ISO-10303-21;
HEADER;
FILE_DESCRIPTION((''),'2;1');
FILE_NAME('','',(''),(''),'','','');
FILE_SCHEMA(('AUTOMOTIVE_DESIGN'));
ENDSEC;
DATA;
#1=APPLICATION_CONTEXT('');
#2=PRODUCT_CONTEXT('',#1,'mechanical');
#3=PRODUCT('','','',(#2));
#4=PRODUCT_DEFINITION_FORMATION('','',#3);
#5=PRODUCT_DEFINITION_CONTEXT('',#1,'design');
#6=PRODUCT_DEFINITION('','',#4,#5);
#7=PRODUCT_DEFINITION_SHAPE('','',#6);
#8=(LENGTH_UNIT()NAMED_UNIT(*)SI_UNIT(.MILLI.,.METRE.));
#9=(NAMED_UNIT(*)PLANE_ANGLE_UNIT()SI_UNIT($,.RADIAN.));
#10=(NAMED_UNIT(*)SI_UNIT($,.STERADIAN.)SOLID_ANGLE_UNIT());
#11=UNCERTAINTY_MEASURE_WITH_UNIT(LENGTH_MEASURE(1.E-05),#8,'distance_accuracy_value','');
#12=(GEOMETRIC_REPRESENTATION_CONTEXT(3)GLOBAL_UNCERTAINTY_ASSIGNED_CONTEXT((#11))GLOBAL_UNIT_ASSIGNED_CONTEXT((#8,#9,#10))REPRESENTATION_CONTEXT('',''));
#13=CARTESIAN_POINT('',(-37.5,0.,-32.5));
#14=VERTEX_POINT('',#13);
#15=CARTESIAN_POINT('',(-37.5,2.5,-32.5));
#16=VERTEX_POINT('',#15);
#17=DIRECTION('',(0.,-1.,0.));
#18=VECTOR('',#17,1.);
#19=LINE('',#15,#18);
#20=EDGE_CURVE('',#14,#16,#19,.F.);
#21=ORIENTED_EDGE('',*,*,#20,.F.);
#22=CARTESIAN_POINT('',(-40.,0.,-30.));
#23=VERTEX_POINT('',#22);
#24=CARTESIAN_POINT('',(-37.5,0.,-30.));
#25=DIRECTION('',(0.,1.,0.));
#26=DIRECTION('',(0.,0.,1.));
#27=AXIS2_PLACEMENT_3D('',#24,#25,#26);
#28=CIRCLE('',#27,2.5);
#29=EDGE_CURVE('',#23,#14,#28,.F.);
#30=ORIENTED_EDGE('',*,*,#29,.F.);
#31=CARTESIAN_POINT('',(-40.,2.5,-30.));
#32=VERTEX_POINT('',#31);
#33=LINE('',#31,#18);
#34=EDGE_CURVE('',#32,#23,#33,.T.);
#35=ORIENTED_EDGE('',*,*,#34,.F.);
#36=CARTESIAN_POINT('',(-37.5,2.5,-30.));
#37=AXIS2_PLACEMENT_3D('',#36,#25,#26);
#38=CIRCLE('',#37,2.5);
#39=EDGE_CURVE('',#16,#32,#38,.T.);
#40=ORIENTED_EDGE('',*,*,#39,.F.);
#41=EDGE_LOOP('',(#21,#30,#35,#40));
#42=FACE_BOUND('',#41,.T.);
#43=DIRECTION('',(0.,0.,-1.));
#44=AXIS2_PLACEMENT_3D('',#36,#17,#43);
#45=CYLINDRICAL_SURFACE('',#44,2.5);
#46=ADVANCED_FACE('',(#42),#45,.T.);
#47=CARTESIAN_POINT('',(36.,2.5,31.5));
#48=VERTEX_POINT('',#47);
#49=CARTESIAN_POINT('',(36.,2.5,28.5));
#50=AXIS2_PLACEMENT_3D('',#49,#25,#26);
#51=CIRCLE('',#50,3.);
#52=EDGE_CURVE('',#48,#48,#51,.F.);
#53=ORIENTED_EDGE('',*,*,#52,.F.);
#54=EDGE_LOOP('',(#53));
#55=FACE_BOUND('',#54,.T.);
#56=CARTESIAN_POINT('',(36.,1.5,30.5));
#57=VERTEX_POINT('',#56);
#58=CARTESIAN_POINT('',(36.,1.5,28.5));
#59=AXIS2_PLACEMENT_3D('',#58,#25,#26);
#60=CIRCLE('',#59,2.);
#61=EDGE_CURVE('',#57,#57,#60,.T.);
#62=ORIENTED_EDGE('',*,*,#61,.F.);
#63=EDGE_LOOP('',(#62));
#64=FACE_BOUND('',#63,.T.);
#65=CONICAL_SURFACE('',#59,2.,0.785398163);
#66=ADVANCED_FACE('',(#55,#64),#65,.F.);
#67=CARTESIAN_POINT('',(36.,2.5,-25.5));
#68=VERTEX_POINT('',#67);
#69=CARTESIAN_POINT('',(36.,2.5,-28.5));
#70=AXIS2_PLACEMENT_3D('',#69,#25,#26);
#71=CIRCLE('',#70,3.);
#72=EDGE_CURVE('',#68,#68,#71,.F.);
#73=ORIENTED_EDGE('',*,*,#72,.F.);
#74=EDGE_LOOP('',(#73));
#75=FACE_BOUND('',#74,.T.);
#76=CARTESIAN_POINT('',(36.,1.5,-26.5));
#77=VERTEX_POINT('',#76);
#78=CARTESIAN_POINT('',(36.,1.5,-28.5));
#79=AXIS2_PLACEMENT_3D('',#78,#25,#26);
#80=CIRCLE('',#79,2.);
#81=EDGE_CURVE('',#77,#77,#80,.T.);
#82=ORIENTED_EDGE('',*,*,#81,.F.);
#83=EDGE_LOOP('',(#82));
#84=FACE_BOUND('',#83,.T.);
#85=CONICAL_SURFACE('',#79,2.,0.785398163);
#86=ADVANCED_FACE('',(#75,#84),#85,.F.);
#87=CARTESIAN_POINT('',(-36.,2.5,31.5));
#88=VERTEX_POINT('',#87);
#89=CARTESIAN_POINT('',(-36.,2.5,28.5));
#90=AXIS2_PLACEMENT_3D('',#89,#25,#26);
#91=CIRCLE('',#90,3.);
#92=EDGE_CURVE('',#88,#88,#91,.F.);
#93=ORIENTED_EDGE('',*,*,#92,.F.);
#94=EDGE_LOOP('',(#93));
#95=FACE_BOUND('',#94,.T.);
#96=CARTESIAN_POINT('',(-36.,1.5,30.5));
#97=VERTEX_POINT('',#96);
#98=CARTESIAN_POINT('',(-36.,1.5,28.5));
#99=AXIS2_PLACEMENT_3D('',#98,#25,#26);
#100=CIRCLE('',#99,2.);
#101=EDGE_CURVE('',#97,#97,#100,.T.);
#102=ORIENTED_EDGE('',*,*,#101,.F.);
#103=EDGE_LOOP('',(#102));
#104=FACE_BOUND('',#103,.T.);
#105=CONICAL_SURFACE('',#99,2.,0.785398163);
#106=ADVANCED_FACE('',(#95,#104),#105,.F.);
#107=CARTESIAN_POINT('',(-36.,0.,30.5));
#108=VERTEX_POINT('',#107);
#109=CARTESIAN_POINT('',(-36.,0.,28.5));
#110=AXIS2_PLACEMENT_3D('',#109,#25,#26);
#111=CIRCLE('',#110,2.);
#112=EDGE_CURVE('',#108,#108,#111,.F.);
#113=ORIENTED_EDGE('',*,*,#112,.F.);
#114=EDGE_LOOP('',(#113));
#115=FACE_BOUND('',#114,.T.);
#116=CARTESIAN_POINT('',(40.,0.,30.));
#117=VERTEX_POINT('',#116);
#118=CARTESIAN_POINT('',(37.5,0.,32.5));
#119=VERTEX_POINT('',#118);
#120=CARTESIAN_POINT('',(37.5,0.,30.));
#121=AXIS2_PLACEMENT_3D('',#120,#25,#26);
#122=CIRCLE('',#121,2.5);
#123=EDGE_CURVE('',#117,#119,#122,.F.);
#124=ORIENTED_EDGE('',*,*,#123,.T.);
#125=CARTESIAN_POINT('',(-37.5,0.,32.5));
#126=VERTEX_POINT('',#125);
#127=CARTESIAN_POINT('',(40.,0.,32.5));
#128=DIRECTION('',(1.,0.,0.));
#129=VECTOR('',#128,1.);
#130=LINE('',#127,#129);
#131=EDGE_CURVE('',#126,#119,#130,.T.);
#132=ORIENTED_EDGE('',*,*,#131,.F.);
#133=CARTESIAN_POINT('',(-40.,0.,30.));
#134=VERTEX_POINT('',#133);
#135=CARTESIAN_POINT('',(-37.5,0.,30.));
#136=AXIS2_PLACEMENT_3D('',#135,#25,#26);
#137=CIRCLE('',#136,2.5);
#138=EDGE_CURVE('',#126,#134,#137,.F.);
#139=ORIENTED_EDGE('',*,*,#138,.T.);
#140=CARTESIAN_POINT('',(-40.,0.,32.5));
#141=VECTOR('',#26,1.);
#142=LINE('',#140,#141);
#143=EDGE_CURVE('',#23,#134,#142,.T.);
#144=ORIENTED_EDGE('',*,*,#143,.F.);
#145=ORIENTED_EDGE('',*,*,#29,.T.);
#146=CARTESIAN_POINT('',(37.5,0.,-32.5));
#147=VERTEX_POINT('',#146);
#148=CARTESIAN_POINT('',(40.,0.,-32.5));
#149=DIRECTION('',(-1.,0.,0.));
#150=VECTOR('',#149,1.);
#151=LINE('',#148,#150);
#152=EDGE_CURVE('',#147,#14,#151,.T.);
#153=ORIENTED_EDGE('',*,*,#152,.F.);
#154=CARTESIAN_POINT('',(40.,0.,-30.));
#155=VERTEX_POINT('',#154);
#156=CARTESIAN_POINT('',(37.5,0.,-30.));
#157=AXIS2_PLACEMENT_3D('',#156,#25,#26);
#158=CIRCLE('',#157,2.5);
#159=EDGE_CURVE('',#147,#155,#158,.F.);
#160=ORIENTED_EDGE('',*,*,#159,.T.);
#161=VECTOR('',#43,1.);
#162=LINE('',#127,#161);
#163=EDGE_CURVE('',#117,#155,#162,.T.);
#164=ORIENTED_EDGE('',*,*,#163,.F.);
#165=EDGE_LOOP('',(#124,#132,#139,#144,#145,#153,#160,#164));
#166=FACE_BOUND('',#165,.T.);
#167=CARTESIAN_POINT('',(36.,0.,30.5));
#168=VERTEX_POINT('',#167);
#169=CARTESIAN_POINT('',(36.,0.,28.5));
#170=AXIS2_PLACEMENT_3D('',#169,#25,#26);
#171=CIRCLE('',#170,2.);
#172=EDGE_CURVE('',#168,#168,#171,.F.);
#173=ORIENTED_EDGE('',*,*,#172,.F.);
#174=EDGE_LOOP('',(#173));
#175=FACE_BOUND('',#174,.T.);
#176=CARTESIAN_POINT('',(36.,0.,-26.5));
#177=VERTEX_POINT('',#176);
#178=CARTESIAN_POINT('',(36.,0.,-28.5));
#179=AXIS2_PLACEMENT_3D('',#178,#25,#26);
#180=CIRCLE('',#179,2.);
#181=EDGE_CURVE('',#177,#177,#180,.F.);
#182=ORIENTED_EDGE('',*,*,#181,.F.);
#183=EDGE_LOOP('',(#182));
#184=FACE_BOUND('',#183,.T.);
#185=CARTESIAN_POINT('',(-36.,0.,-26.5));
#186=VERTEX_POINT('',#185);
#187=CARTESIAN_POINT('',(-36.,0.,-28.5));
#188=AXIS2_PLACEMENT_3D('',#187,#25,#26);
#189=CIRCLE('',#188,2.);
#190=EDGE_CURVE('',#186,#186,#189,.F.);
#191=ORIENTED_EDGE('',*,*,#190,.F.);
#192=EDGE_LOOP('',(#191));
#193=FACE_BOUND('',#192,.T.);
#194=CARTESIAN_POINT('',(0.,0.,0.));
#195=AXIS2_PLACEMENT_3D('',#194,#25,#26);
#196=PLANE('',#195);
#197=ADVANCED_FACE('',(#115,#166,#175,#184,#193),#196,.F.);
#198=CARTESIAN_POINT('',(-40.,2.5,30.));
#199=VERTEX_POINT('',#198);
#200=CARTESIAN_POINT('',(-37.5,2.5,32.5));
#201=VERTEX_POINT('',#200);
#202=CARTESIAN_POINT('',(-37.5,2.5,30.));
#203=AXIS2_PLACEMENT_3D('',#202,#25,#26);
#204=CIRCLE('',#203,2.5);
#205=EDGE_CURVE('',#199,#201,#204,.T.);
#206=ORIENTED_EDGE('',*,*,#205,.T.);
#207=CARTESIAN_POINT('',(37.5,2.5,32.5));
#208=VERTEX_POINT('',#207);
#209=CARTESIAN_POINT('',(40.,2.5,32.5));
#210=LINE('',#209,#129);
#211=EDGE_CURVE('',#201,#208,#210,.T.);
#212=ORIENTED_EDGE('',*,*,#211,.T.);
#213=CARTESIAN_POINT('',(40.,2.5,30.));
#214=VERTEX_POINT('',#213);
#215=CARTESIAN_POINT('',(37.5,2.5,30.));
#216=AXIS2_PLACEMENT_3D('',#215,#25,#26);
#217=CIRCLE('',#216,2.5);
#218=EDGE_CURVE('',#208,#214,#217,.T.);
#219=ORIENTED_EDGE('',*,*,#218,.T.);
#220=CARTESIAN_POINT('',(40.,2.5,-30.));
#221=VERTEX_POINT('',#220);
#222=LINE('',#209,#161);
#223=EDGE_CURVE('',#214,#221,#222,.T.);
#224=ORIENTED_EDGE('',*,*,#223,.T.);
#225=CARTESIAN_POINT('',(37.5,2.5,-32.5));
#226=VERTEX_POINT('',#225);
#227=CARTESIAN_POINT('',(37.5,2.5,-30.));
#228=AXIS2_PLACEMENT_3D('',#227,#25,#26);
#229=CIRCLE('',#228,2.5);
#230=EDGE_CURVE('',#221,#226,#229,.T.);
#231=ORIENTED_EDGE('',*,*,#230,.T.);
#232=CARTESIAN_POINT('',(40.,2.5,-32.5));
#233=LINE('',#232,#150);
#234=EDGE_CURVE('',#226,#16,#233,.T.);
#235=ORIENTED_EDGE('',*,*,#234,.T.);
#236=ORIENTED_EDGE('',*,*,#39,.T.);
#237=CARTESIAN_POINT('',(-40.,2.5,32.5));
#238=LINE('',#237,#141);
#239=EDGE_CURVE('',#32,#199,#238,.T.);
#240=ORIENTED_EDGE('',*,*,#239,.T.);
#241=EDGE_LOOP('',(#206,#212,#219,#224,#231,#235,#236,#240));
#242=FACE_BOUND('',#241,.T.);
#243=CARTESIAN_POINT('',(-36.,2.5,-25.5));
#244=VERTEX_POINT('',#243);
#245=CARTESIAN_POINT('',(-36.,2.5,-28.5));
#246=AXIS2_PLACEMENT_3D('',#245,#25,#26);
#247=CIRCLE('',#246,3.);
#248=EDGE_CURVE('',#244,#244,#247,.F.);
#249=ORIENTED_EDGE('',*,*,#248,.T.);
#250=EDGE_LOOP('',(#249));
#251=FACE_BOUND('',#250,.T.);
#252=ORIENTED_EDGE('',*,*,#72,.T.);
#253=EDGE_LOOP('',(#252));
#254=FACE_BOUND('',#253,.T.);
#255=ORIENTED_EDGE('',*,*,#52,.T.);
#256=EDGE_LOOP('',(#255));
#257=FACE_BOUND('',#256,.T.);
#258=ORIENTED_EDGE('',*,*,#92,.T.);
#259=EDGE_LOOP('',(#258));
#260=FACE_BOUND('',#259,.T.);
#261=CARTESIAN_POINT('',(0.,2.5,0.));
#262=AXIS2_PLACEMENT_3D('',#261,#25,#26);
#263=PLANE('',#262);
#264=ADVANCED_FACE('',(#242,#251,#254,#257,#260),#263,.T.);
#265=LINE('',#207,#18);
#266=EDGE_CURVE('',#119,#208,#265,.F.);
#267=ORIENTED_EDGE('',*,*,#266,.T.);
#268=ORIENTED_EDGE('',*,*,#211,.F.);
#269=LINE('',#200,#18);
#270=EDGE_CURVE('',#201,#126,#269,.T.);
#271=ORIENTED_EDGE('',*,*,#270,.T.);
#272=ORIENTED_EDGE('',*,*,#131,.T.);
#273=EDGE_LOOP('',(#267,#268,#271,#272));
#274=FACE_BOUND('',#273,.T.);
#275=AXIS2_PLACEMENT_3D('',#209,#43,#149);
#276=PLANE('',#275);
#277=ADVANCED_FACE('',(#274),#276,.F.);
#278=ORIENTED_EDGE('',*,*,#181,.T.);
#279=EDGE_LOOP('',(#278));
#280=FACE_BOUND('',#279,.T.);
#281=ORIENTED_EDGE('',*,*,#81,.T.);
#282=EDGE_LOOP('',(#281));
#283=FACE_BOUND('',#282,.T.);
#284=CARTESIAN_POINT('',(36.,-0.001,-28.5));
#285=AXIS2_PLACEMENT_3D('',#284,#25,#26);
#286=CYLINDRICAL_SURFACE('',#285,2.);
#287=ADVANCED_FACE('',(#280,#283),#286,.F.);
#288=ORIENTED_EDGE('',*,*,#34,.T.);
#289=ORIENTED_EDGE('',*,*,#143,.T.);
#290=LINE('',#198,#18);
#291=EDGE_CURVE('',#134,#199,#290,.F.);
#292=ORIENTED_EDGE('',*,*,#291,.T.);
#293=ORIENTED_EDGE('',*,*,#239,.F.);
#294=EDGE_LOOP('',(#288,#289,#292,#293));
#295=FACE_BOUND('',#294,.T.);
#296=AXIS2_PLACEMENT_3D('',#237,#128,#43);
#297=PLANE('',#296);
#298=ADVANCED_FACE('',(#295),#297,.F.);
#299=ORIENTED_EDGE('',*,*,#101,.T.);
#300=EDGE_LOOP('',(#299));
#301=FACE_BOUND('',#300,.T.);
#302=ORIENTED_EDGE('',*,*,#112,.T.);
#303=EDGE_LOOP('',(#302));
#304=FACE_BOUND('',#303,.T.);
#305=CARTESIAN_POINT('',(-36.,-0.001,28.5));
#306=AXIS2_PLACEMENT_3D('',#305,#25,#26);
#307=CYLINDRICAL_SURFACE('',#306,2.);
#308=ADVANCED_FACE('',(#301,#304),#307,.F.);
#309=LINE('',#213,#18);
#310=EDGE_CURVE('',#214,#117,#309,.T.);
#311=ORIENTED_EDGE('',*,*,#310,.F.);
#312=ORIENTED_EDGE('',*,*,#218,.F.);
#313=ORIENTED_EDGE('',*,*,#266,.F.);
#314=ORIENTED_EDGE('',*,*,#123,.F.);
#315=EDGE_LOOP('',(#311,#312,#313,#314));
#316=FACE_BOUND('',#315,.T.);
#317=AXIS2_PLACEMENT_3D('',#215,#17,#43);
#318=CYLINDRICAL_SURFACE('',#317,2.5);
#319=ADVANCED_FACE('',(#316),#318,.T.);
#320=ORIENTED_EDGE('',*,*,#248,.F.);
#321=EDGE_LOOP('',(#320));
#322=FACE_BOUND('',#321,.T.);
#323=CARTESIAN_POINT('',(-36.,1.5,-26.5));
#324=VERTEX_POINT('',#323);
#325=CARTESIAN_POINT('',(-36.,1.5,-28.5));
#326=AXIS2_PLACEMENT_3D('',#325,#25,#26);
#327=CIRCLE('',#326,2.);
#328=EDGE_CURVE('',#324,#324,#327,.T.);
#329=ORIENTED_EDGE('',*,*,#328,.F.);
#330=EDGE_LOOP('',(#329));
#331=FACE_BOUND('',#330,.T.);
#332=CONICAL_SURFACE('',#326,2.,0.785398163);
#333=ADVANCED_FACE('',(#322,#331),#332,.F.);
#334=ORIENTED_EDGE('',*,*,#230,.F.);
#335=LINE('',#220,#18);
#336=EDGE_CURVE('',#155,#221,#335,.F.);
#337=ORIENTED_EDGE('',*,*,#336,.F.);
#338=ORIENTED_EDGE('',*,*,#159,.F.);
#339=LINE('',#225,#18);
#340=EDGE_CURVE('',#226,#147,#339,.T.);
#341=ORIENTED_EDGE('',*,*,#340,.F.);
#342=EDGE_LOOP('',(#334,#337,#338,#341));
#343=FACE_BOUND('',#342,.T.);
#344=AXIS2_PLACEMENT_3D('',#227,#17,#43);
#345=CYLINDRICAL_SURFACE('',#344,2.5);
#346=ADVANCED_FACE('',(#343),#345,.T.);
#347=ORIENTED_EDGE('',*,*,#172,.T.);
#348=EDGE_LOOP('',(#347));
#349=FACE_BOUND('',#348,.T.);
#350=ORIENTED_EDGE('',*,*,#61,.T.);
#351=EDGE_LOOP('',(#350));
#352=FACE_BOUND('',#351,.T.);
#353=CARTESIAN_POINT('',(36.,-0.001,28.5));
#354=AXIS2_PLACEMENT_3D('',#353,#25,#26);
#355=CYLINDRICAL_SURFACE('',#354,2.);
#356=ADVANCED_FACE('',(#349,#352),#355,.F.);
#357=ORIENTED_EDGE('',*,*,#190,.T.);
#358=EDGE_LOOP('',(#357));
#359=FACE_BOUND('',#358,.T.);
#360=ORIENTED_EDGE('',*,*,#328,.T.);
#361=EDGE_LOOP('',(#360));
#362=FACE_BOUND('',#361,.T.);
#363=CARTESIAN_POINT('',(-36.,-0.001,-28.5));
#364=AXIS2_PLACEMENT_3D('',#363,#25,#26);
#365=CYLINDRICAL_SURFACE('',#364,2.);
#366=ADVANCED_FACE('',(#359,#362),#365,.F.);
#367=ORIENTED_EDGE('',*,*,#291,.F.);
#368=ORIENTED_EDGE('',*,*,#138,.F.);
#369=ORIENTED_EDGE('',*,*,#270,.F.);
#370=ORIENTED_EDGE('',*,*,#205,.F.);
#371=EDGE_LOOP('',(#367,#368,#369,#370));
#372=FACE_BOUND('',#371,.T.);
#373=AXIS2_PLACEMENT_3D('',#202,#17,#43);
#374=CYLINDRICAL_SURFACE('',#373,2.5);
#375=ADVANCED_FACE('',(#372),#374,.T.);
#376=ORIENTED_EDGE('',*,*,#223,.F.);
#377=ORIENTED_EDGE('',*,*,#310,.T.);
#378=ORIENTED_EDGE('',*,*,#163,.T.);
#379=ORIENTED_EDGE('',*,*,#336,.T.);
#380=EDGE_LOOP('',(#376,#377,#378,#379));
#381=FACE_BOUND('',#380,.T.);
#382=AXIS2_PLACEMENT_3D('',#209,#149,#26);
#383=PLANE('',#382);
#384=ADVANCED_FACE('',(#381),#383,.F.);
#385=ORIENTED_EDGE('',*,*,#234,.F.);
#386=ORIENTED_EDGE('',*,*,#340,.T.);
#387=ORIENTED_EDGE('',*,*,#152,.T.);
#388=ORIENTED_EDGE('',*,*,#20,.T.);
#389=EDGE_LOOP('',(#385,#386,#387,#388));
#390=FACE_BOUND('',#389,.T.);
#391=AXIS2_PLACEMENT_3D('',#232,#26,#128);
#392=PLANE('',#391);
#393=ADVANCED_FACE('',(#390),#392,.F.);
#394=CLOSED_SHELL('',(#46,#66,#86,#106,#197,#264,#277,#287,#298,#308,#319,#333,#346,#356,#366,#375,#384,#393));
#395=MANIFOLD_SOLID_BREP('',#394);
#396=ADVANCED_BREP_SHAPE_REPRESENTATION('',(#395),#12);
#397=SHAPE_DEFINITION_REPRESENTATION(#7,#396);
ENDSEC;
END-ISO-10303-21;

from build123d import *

# Parameters (mm, degrees)
CROQUIS1_W              = 80
CROQUIS1_H              = 65
SALIENTE_EXTRUIR1_DEPTH = 2.5
CORTAR_EXTRUIR1_REACH   = 53.599
CROQUIS2_R              = 2
REDONDEO1_R             = 2.5
CHAFL_N1_SIZE           = 1


with BuildPart() as part:
    # Croquis1 → Saliente-Extruir1 (new body)
    with BuildSketch(Plane(origin=(0, 0, 0), x_dir=(1, 0, 0), z_dir=(0, 1, 0))):
        Rectangle(CROQUIS1_W, CROQUIS1_H)
    extrude(amount=SALIENTE_EXTRUIR1_DEPTH)

    # Croquis2 → Cortar-Extruir1 (cut, up to next)
    with BuildSketch(Plane(origin=(0, 2.5, 0), x_dir=(1, 0, 0), z_dir=(0, 1, 0)), mode=Mode.PRIVATE) as cortar_extruir1_sk1:
        with Locations(Location((-36, 28.5, 0), (0, 0, 270))):
            Circle(CROQUIS2_R)
    cortar_extruir1_tool1 = extrude(cortar_extruir1_sk1.sketch, amount=-CORTAR_EXTRUIR1_REACH, mode=Mode.PRIVATE) & part.part
    # Croquis2 → Cortar-Extruir1 (cut, up to next)
    with BuildSketch(Plane(origin=(0, 2.5, 0), x_dir=(1, 0, 0), z_dir=(0, 1, 0)), mode=Mode.PRIVATE) as cortar_extruir1_sk2:
        with Locations(Location((36, 28.5, 0), (0, 0, 270))):
            Circle(CROQUIS2_R)
    cortar_extruir1_tool2 = extrude(cortar_extruir1_sk2.sketch, amount=-CORTAR_EXTRUIR1_REACH, mode=Mode.PRIVATE) & part.part
    # Croquis2 → Cortar-Extruir1 (cut, up to next)
    with BuildSketch(Plane(origin=(0, 2.5, 0), x_dir=(1, 0, 0), z_dir=(0, 1, 0)), mode=Mode.PRIVATE) as cortar_extruir1_sk3:
        with Locations(Location((-36, -28.5, 0), (0, 0, 270))):
            Circle(CROQUIS2_R)
    cortar_extruir1_tool3 = extrude(cortar_extruir1_sk3.sketch, amount=-CORTAR_EXTRUIR1_REACH, mode=Mode.PRIVATE) & part.part
    # Croquis2 → Cortar-Extruir1 (cut, up to next)
    with BuildSketch(Plane(origin=(0, 2.5, 0), x_dir=(1, 0, 0), z_dir=(0, 1, 0)), mode=Mode.PRIVATE) as cortar_extruir1_sk4:
        with Locations(Location((36, -28.5, 0), (0, 0, 270))):
            Circle(CROQUIS2_R)
    cortar_extruir1_tool4 = extrude(cortar_extruir1_sk4.sketch, amount=-CORTAR_EXTRUIR1_REACH, mode=Mode.PRIVATE) & part.part
    add(cortar_extruir1_tool1.solids().sort_by_distance((-36, 2.5, -28.5))[0], mode=Mode.SUBTRACT)
    add(cortar_extruir1_tool2.solids().sort_by_distance((36, 2.5, -28.5))[0], mode=Mode.SUBTRACT)
    add(cortar_extruir1_tool3.solids().sort_by_distance((-36, 2.5, 28.5))[0], mode=Mode.SUBTRACT)
    add(cortar_extruir1_tool4.solids().sort_by_distance((36, 2.5, 28.5))[0], mode=Mode.SUBTRACT)

    # Redondeo1
    redondeo1_edges = [part.edges().sort_by_distance(p)[0] for p in [
        (-40, 1.25, -32.5),
        (40, 1.25, -32.5),
        (40, 1.25, 32.5),
        (-40, 1.25, 32.5),
    ]]
    fillet(redondeo1_edges, radius=REDONDEO1_R)

    # Chaflán1
    chafl_n1_edges = [part.edges().sort_by_distance(p)[0] for p in [
        (36, 2.5, -30.5),
        (-36, 2.5, 26.5),
        (36, 2.5, 26.5),
        (-36, 2.5, -30.5),
    ]]
    chamfer(chafl_n1_edges, length=CHAFL_N1_SIZE)


solid = part.part
